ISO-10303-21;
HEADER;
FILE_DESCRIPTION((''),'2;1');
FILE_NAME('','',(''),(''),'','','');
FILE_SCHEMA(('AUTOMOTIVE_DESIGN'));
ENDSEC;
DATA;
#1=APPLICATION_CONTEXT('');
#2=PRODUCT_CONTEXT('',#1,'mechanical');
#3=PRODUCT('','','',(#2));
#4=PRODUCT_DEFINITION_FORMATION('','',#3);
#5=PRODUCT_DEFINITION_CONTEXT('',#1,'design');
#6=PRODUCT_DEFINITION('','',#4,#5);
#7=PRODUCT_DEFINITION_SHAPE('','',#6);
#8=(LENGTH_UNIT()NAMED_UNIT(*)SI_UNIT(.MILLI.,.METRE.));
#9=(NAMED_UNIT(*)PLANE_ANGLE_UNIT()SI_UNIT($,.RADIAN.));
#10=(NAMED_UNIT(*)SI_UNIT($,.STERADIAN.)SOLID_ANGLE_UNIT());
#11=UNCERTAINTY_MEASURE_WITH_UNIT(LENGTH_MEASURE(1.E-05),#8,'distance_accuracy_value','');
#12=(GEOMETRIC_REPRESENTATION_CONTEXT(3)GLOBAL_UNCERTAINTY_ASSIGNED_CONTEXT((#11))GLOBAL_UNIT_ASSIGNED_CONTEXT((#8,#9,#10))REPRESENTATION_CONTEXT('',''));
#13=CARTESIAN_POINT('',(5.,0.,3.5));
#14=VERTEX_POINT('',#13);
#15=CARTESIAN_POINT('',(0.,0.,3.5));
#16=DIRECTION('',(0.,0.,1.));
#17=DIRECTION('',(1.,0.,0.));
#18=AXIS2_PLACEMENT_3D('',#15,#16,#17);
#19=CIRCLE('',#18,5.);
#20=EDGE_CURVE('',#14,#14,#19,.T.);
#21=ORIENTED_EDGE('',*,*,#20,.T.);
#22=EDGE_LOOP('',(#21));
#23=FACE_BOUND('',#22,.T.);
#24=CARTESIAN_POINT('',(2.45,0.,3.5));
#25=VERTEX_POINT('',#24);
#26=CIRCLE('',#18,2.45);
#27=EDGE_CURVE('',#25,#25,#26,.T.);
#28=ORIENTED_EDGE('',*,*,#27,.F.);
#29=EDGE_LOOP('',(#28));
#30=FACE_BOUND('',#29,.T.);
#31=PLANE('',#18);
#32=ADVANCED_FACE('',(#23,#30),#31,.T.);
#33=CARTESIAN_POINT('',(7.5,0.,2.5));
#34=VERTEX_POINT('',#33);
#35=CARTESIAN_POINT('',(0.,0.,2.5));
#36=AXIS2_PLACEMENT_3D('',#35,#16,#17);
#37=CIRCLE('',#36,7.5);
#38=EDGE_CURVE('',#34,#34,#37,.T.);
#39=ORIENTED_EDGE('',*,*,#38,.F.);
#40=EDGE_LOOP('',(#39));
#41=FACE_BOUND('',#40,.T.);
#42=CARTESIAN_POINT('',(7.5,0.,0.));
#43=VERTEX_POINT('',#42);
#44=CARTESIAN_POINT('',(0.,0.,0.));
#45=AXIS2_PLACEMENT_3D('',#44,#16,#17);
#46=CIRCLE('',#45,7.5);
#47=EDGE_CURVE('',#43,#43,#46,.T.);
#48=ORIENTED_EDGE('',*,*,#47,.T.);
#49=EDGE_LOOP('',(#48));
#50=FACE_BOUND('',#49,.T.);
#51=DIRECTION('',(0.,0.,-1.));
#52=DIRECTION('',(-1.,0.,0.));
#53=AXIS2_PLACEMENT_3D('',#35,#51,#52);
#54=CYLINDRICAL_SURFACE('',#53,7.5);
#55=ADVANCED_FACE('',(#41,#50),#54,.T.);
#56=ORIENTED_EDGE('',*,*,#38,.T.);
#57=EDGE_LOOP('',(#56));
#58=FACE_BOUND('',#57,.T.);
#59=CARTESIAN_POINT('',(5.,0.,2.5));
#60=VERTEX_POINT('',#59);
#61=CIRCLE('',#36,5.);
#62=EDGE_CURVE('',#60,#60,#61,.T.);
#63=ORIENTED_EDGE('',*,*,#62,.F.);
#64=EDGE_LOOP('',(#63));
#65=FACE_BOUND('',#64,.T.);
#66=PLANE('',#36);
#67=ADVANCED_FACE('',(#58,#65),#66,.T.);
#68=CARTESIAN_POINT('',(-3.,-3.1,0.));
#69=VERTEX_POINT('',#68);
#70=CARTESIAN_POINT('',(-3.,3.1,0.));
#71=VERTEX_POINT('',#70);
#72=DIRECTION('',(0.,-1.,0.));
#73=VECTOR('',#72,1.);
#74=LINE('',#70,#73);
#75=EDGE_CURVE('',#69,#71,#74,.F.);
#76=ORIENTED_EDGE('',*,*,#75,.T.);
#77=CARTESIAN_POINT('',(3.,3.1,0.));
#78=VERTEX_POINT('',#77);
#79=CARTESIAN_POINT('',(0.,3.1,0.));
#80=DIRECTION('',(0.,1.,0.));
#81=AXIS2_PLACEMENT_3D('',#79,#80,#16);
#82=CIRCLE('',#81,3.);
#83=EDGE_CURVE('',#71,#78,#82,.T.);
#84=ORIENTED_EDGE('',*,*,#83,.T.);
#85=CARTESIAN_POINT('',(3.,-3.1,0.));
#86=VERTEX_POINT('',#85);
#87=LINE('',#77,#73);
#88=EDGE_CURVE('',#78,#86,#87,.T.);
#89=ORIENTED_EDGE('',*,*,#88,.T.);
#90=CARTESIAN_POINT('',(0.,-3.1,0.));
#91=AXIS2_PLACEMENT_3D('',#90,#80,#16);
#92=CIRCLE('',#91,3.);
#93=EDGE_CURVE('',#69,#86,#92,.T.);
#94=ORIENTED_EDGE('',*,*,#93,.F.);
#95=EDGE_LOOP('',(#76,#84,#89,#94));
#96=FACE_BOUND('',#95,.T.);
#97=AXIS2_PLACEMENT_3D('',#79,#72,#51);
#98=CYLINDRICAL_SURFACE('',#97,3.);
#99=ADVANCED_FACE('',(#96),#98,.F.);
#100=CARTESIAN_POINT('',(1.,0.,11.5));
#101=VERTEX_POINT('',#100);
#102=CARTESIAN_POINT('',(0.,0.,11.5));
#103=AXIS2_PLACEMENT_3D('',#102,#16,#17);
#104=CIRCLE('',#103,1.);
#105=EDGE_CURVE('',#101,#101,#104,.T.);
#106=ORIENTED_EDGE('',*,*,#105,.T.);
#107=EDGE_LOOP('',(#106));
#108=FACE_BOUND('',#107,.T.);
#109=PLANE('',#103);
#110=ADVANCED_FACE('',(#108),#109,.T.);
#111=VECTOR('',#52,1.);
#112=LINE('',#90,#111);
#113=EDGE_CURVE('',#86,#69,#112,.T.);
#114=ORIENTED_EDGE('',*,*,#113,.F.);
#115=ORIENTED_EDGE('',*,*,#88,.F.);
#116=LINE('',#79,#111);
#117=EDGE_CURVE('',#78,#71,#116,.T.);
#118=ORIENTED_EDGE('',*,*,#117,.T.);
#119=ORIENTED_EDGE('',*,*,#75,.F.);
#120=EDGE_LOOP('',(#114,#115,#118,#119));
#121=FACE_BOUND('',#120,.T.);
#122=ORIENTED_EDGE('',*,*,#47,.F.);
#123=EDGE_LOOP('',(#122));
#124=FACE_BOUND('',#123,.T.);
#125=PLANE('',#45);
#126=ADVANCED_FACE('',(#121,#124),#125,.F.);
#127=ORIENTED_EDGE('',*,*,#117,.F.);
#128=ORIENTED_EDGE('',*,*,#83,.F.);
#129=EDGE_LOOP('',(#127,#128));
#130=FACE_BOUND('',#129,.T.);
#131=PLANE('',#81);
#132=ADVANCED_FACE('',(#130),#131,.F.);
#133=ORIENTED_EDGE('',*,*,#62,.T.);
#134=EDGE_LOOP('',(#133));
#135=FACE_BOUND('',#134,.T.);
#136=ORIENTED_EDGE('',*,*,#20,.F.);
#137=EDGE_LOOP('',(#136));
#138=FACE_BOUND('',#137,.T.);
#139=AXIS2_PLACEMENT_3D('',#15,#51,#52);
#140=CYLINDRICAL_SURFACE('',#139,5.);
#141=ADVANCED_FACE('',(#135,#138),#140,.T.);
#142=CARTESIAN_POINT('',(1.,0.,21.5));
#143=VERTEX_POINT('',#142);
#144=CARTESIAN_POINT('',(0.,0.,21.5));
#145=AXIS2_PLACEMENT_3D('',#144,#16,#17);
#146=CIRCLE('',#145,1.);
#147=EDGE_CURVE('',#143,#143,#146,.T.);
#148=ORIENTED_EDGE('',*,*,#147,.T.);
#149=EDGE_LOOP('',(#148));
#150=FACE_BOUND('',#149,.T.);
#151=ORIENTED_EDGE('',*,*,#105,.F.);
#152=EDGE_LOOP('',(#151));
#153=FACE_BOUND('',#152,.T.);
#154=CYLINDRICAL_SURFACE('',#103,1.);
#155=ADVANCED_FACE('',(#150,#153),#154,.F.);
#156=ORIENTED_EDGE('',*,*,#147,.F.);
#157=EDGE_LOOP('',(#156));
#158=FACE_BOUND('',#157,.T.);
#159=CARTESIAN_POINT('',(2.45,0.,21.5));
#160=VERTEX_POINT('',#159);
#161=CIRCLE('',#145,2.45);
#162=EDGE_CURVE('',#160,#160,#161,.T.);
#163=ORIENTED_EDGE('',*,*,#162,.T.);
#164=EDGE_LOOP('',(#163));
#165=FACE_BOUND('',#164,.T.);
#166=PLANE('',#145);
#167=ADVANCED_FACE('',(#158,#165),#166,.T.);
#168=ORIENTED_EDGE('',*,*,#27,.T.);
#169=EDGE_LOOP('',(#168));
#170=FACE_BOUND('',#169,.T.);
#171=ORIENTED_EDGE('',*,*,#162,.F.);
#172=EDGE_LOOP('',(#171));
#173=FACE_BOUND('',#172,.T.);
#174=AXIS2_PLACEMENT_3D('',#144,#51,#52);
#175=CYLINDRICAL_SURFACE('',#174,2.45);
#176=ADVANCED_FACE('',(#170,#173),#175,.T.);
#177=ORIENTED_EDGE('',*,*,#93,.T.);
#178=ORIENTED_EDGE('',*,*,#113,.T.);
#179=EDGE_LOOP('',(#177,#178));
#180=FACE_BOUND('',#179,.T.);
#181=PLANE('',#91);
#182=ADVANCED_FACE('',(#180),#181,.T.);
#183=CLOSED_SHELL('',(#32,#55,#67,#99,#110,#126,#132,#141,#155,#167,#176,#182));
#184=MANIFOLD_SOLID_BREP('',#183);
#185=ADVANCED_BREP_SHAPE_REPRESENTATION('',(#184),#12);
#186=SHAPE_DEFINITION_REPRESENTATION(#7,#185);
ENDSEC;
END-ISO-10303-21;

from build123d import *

# Parameters (mm, degrees)
SKETCH_1_R               = 7.5
EXTRUDE_1_DEPTH          = 2.5
SKETCH_2_R               = 5
EXTRUDE_2_DEPTH          = 1
SKETCH_3_R               = 2.45
EXTRUDE_3_DEPTH          = 18
SKETCH_4_R               = 1
CUT_EXTRUDE_1_DEPTH      = 10
CUT_EXTRUDE_2_DEPTH      = 3.1
CUT_EXTRUDE_2_DEPTH_BACK = 3.1
SKETCH_5_R               = 3


with BuildPart() as part:
    # 스케치1 → 보스-돌출1 (new body)
    with BuildSketch(Plane.XY):
        Circle(SKETCH_1_R)
    extrude(amount=EXTRUDE_1_DEPTH)

    # 스케치2 → 보스-돌출2 (add)
    with BuildSketch(Plane.XY.offset(2.5)):
        Circle(SKETCH_2_R)
    extrude(amount=EXTRUDE_2_DEPTH)

    # 스케치3 → 보스-돌출3 (add)
    with BuildSketch(Plane.XY.offset(3.5)):
        Circle(SKETCH_3_R)
    extrude(amount=EXTRUDE_3_DEPTH)

    # 스케치4 → 컷-돌출1 (cut)
    with BuildSketch(Plane.XY.offset(21.5)):
        Circle(SKETCH_4_R)
    extrude(amount=-CUT_EXTRUDE_1_DEPTH, mode=Mode.SUBTRACT)

    # 스케치5 → 컷-돌출2 (cut, two sides: drawn at the far end of the back side and taken through both)
    with BuildSketch(Plane(origin=(0, 0, 0), x_dir=(1, 0, 0), z_dir=(0, 1, 0)).offset(-CUT_EXTRUDE_2_DEPTH_BACK)):
        Circle(SKETCH_5_R)
    extrude(amount=CUT_EXTRUDE_2_DEPTH + CUT_EXTRUDE_2_DEPTH_BACK, mode=Mode.SUBTRACT)


solid = part.part
